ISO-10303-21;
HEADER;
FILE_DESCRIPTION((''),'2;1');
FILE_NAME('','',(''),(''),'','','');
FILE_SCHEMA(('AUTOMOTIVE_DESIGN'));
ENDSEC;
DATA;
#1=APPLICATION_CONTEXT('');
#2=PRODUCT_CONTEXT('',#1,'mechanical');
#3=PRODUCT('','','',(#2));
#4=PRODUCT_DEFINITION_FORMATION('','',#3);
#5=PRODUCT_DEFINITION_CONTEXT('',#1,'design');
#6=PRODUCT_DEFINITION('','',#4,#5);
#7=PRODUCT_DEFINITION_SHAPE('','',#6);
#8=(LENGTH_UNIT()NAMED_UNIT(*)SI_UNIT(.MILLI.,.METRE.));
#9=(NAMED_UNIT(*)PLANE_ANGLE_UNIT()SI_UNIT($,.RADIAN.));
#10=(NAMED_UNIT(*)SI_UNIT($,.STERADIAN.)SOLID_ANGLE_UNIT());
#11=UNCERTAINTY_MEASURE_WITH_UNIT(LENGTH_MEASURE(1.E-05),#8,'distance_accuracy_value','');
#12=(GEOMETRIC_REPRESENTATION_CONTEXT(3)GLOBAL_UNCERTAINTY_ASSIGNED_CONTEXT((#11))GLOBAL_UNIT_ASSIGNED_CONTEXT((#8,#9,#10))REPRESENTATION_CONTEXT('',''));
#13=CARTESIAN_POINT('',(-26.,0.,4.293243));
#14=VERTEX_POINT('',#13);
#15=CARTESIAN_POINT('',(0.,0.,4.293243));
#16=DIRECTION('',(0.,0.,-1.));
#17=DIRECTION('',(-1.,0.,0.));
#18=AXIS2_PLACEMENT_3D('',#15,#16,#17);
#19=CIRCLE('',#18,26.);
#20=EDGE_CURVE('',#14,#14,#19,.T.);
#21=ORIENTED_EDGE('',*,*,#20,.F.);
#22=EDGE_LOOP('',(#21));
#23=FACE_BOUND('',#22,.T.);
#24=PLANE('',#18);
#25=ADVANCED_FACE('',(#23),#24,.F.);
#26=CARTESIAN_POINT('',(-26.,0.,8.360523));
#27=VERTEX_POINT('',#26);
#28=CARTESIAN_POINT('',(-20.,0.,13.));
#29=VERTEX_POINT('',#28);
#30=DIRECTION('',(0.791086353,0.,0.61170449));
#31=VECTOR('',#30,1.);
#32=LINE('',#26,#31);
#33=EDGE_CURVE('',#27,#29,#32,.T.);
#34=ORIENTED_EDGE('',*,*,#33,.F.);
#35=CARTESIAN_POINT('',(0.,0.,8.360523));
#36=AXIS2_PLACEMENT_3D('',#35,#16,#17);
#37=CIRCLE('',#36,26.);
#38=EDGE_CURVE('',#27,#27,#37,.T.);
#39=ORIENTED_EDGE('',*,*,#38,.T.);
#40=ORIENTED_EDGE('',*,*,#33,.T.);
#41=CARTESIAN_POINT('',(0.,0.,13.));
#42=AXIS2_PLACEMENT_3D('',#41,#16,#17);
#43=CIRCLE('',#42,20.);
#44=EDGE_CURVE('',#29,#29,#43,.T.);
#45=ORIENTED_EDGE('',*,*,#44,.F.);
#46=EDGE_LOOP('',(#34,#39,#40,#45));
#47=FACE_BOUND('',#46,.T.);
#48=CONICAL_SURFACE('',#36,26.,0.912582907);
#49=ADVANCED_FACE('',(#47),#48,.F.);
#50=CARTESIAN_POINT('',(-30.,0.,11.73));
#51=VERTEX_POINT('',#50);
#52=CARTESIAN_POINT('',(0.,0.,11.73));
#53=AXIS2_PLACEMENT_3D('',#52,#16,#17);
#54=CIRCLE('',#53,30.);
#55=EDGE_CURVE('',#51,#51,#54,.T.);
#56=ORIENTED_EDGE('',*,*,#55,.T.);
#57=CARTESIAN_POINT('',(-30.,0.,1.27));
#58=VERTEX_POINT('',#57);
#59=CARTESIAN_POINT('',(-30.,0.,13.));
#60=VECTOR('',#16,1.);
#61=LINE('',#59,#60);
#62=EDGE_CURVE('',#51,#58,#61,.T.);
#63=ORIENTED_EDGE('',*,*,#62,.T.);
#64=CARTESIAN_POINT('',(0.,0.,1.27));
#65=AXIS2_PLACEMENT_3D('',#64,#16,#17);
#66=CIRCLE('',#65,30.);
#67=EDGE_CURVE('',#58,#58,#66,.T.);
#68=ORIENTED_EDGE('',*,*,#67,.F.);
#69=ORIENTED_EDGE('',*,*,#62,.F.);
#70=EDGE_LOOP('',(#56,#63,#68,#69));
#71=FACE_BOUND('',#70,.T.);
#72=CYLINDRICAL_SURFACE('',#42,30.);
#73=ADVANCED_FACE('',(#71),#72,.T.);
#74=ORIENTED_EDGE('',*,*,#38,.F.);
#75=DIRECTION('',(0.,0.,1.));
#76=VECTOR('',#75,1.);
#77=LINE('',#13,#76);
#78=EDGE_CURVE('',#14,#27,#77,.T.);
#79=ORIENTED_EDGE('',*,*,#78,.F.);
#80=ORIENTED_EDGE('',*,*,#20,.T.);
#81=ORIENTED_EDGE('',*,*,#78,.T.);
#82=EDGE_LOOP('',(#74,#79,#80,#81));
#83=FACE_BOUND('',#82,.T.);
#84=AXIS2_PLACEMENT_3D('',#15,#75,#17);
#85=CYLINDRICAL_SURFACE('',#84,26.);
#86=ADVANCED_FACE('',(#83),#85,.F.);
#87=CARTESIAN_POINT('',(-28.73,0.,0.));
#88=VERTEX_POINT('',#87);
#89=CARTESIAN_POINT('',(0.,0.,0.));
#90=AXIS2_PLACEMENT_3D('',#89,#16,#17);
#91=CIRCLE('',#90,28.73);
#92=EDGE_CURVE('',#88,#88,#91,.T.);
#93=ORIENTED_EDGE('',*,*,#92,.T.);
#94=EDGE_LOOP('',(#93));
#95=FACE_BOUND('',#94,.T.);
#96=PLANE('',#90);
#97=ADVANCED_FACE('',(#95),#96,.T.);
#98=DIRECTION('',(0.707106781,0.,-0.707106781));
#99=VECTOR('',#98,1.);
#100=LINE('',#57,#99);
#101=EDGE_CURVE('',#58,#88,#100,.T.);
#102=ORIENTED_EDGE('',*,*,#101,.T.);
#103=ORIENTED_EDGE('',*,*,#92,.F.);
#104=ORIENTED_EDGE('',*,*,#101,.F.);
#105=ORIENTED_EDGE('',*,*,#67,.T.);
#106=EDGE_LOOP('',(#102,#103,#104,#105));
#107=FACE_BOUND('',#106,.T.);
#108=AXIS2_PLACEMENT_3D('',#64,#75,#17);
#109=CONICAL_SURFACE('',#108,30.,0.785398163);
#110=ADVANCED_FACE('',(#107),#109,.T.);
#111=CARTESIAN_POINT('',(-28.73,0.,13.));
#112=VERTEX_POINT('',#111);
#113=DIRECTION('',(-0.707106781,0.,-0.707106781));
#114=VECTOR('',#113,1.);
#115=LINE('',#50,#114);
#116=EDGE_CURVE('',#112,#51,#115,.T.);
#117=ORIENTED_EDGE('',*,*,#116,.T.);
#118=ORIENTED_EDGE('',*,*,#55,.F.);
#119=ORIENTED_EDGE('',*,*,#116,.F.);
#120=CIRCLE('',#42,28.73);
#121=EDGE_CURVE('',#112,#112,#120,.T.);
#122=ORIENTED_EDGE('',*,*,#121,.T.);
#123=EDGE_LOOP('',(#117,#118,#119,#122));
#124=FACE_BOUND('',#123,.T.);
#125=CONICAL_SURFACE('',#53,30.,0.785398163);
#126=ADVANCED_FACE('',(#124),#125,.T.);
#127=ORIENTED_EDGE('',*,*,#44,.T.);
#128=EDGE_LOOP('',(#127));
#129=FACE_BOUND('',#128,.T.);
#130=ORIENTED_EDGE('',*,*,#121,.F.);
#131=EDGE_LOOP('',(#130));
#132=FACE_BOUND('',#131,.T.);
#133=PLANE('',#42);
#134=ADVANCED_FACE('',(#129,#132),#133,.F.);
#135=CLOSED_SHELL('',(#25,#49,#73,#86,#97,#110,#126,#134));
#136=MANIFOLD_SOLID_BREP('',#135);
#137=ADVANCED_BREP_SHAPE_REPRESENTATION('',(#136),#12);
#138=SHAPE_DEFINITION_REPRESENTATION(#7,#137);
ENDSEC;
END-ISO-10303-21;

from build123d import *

# Parameters (mm, degrees)
F2_SIZE = 1.27
F3_SIZE = 1.27


with BuildPart() as f1:
    # F0 (on Front) → F1 (revolve)
    with BuildSketch(Plane.XZ):
        Polygon((-30, 0), (0, 0), (0, 4.293243), (-26, 4.293243), (-26, 8.360523), (-20, 13), (-30, 13), align=None)
    revolve(axis=Axis((0, 0, 2.146621), (0, 0, -1)))

    # F2
    f2_edges = [f1.edges().sort_by_distance(p)[0] for p in [
        (30, 0, 13),
    ]]
    chamfer(f2_edges, length=F2_SIZE)

    # F3
    f3_edges = [f1.edges().sort_by_distance(p)[0] for p in [
        (30, 0, 0),
    ]]
    chamfer(f3_edges, length=F3_SIZE)


solid = f1.part
